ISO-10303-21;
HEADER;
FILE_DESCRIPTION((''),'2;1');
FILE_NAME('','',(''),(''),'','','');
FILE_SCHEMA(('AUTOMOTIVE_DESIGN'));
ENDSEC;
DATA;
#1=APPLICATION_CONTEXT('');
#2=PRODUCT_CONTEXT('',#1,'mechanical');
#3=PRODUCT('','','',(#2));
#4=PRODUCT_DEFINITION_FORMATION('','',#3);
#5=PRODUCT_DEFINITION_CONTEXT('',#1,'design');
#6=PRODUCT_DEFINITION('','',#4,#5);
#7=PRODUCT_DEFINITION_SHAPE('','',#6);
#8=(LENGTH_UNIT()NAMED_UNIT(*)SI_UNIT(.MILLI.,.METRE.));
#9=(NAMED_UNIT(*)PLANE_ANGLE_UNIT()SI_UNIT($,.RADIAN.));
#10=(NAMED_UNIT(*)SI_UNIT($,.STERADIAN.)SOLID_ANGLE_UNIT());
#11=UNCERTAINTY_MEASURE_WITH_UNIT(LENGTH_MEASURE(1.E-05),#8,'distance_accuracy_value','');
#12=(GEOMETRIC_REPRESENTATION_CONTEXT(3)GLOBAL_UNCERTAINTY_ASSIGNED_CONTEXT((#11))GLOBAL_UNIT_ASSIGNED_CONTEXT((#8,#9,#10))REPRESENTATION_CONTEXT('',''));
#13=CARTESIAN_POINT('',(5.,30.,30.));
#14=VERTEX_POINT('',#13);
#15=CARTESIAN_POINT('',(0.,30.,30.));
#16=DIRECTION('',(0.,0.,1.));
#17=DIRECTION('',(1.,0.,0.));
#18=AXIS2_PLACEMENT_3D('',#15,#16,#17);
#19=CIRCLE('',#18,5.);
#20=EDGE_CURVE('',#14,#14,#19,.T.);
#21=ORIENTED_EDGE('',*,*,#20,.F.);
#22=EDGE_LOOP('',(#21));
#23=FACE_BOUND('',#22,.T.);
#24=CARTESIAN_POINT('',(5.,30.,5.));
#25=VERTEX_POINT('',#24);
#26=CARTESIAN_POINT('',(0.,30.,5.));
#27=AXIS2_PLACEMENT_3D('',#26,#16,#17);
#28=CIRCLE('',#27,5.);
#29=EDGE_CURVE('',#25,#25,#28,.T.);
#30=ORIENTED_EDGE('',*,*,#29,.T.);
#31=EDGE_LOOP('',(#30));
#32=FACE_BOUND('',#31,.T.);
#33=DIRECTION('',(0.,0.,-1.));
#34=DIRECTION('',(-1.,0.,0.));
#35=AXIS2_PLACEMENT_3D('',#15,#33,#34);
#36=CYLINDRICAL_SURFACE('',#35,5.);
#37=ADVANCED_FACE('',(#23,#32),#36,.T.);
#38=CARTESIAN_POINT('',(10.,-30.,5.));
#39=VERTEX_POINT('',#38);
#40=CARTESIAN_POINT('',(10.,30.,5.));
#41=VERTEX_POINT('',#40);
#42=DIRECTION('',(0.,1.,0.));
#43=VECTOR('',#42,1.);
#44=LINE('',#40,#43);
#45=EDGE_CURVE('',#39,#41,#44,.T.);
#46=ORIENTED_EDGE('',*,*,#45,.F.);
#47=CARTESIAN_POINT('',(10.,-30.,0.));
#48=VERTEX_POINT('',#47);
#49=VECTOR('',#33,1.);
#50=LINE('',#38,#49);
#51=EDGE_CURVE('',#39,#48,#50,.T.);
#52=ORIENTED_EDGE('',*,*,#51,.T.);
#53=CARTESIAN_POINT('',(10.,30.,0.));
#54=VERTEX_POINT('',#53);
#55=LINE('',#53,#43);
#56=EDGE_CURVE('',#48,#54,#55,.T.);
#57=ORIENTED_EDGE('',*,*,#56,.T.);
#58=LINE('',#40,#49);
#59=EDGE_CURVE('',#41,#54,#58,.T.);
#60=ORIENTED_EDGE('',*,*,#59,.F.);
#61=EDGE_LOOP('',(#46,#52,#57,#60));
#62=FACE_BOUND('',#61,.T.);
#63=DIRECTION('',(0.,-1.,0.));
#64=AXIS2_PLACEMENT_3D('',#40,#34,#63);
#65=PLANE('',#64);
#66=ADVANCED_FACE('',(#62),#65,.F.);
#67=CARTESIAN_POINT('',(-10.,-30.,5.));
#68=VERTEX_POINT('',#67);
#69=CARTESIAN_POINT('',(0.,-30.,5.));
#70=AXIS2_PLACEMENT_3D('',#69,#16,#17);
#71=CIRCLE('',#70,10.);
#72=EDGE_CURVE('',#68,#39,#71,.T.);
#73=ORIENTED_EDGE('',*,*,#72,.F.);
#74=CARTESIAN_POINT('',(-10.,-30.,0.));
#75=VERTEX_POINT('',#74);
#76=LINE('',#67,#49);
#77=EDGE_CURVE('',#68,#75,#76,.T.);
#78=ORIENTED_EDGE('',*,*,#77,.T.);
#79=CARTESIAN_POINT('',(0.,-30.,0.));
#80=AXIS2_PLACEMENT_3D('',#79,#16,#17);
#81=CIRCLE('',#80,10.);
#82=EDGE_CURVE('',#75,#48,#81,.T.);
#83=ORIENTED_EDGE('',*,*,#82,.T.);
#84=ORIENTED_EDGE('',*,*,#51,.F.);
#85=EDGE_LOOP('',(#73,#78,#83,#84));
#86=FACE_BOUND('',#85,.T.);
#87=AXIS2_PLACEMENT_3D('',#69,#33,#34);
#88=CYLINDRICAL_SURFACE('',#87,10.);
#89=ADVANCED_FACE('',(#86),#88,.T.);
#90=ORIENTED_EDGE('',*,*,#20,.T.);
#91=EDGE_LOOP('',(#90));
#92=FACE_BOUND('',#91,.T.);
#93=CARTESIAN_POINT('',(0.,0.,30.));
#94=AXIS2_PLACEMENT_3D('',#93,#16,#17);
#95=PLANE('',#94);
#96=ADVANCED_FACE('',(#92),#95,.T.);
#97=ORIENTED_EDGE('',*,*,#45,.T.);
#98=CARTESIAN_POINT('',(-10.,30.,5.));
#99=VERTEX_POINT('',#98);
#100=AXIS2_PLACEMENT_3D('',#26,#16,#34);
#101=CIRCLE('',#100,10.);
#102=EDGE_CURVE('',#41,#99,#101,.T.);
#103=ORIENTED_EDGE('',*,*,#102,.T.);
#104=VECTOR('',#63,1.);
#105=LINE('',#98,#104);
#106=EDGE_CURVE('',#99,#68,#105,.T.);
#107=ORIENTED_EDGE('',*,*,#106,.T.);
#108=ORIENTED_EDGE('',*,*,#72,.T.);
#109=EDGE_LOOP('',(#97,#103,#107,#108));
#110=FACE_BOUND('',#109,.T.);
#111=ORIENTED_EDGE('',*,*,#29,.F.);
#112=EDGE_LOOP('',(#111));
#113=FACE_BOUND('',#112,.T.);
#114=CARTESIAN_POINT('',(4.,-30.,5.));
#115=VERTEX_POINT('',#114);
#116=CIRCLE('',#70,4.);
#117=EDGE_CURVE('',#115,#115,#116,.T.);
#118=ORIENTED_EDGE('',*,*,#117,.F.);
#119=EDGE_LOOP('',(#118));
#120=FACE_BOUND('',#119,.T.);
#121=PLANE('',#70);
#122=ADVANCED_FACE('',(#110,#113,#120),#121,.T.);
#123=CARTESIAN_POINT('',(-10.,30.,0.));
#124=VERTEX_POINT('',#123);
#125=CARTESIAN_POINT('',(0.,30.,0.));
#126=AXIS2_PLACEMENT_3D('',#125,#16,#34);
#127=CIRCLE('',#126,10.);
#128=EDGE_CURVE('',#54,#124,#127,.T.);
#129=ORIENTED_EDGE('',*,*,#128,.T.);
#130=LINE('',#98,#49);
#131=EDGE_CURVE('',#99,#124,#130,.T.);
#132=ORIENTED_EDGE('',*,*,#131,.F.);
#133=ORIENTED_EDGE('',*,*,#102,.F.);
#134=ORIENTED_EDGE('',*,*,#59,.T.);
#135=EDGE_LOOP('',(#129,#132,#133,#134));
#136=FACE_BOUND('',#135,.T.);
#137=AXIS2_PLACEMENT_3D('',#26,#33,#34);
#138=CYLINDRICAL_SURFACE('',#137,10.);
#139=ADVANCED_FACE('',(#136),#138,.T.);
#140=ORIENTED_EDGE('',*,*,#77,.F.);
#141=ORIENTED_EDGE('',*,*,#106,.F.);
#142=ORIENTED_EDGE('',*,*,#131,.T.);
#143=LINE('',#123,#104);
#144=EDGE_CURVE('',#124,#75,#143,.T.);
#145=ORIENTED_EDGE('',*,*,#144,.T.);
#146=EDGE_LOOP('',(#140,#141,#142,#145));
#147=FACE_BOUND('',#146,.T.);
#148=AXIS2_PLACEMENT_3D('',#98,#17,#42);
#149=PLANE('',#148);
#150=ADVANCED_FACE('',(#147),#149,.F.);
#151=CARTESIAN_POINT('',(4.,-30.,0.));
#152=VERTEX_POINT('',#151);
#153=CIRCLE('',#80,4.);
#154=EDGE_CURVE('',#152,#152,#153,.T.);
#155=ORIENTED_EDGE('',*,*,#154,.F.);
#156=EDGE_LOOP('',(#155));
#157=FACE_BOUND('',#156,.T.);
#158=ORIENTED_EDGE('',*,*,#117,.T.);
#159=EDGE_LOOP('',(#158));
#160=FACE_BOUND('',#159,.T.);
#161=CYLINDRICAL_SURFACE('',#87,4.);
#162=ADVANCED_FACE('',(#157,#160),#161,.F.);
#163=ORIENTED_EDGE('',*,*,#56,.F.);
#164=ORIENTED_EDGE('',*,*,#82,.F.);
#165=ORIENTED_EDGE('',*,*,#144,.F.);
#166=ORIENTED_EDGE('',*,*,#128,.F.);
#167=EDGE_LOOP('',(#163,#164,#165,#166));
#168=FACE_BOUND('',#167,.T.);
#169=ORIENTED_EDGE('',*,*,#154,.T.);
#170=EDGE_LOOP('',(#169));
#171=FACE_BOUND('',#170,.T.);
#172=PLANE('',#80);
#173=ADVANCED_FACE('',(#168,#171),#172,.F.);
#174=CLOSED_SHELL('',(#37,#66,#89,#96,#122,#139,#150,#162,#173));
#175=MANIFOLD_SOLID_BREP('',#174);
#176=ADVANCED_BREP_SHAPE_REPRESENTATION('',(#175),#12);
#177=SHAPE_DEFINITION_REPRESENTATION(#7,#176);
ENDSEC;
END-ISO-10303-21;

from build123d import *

# Parameters (mm, degrees)
SKETCH1_R           = 5
SKETCH1_R_2         = 4
BOSS_EXTRUDE1_DEPTH = 5
SKETCH1_2_R         = 5
BOSS_EXTRUDE2_DEPTH = 30


with BuildPart() as part:
    # Sketch1 → Boss-Extrude1 (new body)
    with BuildSketch(Plane.XY):
        with BuildLine():
            Line((10, 30), (10, -30))
            ThreePointArc((10, -30), (0, -40), (-10, -30))
            Line((-10, -30), (-10, 30))
            ThreePointArc((-10, 30), (0, 40), (10, 30))
        make_face()
        with Locations((0, 30)):
            Circle(SKETCH1_R, mode=Mode.SUBTRACT)
        with Locations((0, -30)):
            Circle(SKETCH1_R_2, mode=Mode.SUBTRACT)
    extrude(amount=BOSS_EXTRUDE1_DEPTH)

    # Sketch1<2> → Boss-Extrude2 (add)
    with BuildSketch(Plane.XY):
        with Locations((0, 30)):
            Circle(SKETCH1_2_R)
    extrude(amount=BOSS_EXTRUDE2_DEPTH)


solid = part.part
